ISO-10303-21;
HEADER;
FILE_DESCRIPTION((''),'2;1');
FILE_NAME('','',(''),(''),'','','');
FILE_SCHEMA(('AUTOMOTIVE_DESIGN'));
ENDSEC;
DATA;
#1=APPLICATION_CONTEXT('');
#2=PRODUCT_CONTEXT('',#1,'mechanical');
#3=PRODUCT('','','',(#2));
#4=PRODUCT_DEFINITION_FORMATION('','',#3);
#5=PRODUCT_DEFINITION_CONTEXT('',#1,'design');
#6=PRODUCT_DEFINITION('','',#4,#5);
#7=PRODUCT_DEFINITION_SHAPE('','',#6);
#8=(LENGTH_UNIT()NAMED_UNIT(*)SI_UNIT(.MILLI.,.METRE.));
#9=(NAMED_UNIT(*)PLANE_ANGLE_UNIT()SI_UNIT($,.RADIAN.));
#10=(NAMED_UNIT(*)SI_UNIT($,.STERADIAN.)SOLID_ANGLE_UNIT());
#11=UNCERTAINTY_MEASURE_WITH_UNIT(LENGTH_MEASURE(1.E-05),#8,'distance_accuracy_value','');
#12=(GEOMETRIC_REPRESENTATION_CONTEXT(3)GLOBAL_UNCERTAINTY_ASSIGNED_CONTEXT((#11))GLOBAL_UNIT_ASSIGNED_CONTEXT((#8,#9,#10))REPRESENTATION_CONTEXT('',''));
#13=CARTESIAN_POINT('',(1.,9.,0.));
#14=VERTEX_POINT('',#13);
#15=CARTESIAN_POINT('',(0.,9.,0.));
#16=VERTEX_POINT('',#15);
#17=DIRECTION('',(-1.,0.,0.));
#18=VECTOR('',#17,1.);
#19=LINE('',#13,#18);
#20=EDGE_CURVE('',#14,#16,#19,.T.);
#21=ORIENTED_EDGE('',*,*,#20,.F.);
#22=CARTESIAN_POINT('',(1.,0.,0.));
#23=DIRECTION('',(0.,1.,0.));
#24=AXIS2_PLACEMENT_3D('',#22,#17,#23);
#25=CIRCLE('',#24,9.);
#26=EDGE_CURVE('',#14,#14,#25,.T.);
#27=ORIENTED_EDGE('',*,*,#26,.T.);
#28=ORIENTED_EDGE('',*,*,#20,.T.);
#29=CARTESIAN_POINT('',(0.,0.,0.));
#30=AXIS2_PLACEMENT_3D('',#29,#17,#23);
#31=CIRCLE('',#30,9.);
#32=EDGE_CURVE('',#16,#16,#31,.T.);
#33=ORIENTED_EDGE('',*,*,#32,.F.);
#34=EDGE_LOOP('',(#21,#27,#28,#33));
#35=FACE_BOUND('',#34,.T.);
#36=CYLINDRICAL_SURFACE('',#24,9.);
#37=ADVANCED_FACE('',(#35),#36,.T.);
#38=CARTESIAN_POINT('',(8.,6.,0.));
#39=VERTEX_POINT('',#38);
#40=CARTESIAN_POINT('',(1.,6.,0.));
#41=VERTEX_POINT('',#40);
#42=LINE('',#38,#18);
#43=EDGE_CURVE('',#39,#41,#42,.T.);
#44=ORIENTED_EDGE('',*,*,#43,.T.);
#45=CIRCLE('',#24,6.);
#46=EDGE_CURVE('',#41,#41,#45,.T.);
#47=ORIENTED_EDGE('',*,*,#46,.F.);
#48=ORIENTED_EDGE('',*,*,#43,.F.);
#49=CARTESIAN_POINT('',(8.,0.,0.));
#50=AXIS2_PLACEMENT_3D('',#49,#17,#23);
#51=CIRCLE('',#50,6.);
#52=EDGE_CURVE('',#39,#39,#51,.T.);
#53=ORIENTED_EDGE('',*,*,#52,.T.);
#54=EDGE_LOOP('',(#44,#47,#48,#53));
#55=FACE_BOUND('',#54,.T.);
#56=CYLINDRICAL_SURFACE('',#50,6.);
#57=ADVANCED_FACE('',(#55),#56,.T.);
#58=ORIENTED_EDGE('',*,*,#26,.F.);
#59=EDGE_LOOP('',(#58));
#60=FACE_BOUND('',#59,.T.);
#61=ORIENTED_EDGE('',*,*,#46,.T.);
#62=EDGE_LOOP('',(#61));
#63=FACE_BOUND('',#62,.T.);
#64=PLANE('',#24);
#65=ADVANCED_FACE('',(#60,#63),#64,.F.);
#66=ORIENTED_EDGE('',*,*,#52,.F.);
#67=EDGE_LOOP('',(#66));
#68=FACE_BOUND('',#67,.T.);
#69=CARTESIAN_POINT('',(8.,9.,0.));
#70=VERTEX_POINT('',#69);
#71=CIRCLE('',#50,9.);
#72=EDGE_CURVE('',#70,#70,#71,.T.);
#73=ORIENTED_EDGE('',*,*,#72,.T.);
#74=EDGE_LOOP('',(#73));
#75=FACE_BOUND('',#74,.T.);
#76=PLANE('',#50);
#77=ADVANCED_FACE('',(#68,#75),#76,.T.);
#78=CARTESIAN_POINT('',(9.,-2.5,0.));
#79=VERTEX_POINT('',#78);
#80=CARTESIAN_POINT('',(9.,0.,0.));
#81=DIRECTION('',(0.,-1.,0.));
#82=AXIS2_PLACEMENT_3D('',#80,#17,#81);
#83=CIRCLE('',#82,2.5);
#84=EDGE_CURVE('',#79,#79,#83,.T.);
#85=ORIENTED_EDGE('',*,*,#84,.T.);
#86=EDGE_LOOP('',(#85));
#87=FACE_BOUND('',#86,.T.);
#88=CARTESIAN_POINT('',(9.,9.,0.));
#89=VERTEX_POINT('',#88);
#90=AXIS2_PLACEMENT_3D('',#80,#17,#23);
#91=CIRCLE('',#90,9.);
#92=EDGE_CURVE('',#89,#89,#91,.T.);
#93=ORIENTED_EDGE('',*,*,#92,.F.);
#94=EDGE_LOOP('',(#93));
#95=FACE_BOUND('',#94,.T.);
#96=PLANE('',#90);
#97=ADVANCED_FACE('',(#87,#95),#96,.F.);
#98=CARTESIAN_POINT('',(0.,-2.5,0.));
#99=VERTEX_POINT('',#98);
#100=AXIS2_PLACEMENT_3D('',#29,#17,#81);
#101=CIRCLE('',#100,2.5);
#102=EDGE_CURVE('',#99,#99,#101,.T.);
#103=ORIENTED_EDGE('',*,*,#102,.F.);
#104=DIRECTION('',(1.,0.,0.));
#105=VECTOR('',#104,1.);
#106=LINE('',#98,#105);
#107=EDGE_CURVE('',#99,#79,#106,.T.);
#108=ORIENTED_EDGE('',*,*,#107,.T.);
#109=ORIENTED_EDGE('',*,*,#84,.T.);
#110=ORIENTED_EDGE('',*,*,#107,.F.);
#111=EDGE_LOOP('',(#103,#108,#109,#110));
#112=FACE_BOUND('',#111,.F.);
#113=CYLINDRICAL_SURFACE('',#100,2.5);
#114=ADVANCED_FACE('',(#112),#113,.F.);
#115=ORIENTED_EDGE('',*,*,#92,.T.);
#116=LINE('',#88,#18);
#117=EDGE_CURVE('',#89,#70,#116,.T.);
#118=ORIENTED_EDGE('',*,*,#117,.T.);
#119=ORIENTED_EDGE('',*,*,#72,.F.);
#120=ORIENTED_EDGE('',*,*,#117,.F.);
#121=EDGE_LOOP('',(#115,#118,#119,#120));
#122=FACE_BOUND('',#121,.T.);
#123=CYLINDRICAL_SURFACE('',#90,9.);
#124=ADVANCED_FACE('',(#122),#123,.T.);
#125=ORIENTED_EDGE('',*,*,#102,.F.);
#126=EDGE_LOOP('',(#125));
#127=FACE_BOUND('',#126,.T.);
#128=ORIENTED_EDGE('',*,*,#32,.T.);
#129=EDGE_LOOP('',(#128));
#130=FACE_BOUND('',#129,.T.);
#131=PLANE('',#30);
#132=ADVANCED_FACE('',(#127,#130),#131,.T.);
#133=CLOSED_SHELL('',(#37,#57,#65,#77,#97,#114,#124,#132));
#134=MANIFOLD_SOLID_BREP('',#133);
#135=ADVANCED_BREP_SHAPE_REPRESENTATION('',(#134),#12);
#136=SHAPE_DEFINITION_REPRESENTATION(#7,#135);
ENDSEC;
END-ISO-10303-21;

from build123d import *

# Parameters (mm, degrees)
F2_R     = 2.5
F3_DEPTH = 25


with BuildPart() as f1:
    # F0 (on Top) → F1 (revolve)
    with BuildSketch(Plane.XY):
        Polygon((0, 9), (0, 0), (9, 0), (9, 9), (8, 9), (8, 6), (1, 6), (1, 9), align=None)
    revolve(axis=Axis((4.5, 0, 0), (-1, 0, 0)))

    # F2 (on face) → F3 (cut)
    with BuildSketch(Plane(origin=(0, 0, 0), x_dir=(0, -1, 0), z_dir=(-1, 0, 0))):
        Circle(F2_R)
    extrude(amount=-F3_DEPTH, mode=Mode.SUBTRACT)


solid = f1.part
